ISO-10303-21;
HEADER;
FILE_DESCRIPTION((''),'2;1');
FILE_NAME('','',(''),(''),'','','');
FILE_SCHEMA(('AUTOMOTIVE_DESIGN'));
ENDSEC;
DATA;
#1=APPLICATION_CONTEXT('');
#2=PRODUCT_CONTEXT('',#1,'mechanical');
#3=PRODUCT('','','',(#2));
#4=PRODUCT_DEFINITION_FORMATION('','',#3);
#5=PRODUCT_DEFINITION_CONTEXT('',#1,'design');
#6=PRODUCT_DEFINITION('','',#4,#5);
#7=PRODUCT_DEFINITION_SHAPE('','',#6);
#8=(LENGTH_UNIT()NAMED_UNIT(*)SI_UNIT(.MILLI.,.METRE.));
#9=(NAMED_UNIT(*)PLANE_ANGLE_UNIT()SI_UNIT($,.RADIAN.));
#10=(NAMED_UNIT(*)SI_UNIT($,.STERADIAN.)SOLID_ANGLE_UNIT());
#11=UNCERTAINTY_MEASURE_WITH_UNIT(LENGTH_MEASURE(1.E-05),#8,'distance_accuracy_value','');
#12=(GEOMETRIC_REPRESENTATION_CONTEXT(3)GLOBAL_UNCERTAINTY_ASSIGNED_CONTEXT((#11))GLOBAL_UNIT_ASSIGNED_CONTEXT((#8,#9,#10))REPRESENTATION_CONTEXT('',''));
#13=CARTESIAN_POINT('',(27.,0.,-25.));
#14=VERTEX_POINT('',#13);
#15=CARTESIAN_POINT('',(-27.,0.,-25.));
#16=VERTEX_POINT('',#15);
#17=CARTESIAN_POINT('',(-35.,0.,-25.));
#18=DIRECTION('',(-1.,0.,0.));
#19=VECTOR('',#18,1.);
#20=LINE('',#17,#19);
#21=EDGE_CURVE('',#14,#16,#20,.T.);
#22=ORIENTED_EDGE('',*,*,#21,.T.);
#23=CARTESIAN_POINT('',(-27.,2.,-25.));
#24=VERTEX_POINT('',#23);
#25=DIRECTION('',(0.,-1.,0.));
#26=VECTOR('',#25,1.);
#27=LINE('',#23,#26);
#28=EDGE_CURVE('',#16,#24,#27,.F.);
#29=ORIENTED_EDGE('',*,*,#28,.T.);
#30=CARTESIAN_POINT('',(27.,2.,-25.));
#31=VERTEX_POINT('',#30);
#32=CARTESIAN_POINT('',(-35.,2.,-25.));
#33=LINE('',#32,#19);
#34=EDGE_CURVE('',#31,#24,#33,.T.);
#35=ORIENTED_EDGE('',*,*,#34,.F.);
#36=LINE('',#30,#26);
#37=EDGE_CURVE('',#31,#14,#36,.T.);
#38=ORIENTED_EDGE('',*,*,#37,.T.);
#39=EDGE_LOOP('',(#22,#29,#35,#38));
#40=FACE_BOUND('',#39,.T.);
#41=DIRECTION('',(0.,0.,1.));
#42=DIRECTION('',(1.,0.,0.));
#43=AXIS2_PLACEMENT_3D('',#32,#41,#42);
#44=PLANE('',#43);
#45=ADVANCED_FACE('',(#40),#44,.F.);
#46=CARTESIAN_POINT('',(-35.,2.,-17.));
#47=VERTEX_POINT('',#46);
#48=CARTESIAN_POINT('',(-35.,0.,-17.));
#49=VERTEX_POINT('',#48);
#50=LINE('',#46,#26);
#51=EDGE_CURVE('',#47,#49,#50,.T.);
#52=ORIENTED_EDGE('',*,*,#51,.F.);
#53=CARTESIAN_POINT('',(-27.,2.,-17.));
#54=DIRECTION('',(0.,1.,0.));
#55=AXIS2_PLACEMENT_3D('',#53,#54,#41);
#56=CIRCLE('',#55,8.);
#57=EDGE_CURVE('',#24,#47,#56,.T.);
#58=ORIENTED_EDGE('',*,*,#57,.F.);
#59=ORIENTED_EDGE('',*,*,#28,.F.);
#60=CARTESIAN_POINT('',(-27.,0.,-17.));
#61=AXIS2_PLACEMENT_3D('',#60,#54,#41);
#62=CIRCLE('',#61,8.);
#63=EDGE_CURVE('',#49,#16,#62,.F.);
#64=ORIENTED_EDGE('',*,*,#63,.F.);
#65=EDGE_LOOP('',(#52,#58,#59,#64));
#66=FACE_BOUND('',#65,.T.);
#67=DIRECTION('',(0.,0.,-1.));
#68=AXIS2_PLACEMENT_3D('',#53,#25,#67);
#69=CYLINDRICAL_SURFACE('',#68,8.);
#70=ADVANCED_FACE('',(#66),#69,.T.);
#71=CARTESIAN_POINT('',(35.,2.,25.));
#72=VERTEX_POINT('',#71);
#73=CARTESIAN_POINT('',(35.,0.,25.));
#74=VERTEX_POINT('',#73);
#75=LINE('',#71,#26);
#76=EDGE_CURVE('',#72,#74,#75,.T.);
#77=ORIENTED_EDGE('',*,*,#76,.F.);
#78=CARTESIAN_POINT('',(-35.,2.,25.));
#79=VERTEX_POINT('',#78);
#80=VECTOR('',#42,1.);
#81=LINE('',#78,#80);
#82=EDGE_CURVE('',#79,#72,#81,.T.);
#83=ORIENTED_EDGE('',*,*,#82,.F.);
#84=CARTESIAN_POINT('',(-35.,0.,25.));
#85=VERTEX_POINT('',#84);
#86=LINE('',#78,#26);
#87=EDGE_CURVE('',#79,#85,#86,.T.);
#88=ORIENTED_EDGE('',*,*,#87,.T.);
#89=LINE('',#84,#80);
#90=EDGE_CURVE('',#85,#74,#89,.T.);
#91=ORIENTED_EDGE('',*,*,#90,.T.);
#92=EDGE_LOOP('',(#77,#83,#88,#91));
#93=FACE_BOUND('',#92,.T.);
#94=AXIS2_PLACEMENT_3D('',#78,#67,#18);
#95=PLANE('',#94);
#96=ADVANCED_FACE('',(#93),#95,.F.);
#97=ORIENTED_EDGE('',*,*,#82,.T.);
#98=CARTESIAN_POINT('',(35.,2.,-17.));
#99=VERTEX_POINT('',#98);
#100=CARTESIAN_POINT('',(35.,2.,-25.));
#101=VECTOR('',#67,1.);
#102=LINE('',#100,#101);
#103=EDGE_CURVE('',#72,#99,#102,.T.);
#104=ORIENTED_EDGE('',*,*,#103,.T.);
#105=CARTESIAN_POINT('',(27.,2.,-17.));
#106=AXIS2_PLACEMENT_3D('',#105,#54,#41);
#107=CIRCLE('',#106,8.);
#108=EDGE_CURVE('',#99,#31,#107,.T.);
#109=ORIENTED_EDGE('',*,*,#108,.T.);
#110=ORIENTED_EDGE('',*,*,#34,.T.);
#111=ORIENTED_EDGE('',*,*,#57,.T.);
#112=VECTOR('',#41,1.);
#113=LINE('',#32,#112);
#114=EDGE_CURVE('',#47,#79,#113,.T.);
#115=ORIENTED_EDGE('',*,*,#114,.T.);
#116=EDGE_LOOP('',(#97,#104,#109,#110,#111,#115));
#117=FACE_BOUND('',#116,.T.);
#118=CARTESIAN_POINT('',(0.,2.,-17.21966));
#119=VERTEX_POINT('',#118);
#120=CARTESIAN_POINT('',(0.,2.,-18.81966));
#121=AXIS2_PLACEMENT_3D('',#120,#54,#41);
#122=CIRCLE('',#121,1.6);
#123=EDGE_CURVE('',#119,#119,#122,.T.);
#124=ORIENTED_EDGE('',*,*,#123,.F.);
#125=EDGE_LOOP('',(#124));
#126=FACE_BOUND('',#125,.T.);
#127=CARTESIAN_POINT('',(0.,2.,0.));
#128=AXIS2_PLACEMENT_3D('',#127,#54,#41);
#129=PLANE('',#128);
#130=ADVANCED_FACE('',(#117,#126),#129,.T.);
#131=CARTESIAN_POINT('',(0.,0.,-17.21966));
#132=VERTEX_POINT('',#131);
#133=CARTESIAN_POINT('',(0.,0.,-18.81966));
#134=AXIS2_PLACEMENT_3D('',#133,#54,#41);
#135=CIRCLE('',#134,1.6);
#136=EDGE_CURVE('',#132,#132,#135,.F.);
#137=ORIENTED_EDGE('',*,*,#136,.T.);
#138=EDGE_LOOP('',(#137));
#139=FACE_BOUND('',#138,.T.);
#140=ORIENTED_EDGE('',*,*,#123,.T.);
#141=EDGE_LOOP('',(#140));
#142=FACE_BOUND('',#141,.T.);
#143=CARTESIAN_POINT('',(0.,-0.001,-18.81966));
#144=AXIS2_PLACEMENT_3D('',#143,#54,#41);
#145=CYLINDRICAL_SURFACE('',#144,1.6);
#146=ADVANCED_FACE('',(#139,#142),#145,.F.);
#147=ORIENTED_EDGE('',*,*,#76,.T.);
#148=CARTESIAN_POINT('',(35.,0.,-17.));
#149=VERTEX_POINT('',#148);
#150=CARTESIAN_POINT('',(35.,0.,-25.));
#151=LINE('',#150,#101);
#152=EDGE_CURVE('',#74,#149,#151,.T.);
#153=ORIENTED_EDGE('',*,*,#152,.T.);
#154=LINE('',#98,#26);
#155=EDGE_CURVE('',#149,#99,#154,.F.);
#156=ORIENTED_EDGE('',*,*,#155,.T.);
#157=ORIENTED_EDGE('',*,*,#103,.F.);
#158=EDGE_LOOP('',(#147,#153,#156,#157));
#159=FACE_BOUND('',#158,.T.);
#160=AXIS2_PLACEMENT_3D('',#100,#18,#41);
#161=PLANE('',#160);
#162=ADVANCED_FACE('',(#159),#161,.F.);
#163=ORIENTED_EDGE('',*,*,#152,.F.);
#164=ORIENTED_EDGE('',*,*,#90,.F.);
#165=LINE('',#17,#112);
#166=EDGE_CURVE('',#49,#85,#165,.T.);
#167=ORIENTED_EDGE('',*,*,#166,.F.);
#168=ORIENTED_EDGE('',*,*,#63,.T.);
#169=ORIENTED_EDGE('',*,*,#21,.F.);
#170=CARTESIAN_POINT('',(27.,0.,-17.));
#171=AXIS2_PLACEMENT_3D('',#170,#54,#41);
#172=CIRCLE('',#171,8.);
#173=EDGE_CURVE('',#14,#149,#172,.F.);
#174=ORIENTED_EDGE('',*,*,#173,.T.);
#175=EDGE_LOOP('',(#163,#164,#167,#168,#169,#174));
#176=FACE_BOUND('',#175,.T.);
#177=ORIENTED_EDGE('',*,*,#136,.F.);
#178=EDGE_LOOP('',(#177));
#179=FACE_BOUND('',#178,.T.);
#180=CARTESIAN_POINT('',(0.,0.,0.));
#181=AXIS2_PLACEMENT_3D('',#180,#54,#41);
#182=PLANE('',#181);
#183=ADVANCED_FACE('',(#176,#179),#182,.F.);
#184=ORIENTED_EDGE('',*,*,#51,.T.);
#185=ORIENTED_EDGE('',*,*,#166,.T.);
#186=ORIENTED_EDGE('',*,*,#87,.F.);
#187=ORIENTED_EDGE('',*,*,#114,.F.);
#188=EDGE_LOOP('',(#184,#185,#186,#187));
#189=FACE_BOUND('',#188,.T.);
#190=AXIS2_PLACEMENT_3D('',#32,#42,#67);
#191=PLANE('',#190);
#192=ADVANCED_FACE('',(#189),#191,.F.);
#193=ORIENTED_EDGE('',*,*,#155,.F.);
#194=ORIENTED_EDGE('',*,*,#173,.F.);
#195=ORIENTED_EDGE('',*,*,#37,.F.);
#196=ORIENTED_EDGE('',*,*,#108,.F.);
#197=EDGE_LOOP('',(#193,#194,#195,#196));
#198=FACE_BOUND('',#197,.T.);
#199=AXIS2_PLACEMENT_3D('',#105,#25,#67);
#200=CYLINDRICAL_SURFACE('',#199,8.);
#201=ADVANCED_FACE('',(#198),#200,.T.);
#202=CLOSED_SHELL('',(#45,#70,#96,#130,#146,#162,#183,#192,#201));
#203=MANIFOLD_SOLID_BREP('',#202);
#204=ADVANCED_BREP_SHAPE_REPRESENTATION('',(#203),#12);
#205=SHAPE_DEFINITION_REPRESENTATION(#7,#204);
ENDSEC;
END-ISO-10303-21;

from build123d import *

# Parameters (mm, degrees)
CROQUIS1_W              = 70
CROQUIS1_H              = 50
SALIENTE_EXTRUIR1_DEPTH = 2
REDONDEO1_R             = 8
CORTAR_EXTRUIR2_REACH   = 45.058
CROQUIS3_R              = 1.6


with BuildPart() as part:
    # Croquis1 → Saliente-Extruir1 (new body)
    with BuildSketch(Plane(origin=(0, 0, 0), x_dir=(1, 0, 0), z_dir=(0, 1, 0))):
        Rectangle(CROQUIS1_W, CROQUIS1_H)
    extrude(amount=SALIENTE_EXTRUIR1_DEPTH)

    # Redondeo1
    redondeo1_edges = [part.edges().sort_by_distance(p)[0] for p in [
        (-35, 1, -25),
        (35, 1, -25),
    ]]
    fillet(redondeo1_edges, radius=REDONDEO1_R)

    # Croquis3 → Cortar-Extruir2 (cut, up to next)
    with BuildSketch(Plane(origin=(0, 2, 0), x_dir=(1, 0, 0), z_dir=(0, 1, 0)), mode=Mode.PRIVATE) as cortar_extruir2_sk1:
        with Locations(Location((0, 18.819660113, 0), (0, 0, 270))):
            Circle(CROQUIS3_R)
    cortar_extruir2_tool1 = extrude(cortar_extruir2_sk1.sketch, amount=-CORTAR_EXTRUIR2_REACH, mode=Mode.PRIVATE) & part.part
    add(cortar_extruir2_tool1.solids().sort_by_distance((0, 2, -18.81966))[0], mode=Mode.SUBTRACT)


solid = part.part
